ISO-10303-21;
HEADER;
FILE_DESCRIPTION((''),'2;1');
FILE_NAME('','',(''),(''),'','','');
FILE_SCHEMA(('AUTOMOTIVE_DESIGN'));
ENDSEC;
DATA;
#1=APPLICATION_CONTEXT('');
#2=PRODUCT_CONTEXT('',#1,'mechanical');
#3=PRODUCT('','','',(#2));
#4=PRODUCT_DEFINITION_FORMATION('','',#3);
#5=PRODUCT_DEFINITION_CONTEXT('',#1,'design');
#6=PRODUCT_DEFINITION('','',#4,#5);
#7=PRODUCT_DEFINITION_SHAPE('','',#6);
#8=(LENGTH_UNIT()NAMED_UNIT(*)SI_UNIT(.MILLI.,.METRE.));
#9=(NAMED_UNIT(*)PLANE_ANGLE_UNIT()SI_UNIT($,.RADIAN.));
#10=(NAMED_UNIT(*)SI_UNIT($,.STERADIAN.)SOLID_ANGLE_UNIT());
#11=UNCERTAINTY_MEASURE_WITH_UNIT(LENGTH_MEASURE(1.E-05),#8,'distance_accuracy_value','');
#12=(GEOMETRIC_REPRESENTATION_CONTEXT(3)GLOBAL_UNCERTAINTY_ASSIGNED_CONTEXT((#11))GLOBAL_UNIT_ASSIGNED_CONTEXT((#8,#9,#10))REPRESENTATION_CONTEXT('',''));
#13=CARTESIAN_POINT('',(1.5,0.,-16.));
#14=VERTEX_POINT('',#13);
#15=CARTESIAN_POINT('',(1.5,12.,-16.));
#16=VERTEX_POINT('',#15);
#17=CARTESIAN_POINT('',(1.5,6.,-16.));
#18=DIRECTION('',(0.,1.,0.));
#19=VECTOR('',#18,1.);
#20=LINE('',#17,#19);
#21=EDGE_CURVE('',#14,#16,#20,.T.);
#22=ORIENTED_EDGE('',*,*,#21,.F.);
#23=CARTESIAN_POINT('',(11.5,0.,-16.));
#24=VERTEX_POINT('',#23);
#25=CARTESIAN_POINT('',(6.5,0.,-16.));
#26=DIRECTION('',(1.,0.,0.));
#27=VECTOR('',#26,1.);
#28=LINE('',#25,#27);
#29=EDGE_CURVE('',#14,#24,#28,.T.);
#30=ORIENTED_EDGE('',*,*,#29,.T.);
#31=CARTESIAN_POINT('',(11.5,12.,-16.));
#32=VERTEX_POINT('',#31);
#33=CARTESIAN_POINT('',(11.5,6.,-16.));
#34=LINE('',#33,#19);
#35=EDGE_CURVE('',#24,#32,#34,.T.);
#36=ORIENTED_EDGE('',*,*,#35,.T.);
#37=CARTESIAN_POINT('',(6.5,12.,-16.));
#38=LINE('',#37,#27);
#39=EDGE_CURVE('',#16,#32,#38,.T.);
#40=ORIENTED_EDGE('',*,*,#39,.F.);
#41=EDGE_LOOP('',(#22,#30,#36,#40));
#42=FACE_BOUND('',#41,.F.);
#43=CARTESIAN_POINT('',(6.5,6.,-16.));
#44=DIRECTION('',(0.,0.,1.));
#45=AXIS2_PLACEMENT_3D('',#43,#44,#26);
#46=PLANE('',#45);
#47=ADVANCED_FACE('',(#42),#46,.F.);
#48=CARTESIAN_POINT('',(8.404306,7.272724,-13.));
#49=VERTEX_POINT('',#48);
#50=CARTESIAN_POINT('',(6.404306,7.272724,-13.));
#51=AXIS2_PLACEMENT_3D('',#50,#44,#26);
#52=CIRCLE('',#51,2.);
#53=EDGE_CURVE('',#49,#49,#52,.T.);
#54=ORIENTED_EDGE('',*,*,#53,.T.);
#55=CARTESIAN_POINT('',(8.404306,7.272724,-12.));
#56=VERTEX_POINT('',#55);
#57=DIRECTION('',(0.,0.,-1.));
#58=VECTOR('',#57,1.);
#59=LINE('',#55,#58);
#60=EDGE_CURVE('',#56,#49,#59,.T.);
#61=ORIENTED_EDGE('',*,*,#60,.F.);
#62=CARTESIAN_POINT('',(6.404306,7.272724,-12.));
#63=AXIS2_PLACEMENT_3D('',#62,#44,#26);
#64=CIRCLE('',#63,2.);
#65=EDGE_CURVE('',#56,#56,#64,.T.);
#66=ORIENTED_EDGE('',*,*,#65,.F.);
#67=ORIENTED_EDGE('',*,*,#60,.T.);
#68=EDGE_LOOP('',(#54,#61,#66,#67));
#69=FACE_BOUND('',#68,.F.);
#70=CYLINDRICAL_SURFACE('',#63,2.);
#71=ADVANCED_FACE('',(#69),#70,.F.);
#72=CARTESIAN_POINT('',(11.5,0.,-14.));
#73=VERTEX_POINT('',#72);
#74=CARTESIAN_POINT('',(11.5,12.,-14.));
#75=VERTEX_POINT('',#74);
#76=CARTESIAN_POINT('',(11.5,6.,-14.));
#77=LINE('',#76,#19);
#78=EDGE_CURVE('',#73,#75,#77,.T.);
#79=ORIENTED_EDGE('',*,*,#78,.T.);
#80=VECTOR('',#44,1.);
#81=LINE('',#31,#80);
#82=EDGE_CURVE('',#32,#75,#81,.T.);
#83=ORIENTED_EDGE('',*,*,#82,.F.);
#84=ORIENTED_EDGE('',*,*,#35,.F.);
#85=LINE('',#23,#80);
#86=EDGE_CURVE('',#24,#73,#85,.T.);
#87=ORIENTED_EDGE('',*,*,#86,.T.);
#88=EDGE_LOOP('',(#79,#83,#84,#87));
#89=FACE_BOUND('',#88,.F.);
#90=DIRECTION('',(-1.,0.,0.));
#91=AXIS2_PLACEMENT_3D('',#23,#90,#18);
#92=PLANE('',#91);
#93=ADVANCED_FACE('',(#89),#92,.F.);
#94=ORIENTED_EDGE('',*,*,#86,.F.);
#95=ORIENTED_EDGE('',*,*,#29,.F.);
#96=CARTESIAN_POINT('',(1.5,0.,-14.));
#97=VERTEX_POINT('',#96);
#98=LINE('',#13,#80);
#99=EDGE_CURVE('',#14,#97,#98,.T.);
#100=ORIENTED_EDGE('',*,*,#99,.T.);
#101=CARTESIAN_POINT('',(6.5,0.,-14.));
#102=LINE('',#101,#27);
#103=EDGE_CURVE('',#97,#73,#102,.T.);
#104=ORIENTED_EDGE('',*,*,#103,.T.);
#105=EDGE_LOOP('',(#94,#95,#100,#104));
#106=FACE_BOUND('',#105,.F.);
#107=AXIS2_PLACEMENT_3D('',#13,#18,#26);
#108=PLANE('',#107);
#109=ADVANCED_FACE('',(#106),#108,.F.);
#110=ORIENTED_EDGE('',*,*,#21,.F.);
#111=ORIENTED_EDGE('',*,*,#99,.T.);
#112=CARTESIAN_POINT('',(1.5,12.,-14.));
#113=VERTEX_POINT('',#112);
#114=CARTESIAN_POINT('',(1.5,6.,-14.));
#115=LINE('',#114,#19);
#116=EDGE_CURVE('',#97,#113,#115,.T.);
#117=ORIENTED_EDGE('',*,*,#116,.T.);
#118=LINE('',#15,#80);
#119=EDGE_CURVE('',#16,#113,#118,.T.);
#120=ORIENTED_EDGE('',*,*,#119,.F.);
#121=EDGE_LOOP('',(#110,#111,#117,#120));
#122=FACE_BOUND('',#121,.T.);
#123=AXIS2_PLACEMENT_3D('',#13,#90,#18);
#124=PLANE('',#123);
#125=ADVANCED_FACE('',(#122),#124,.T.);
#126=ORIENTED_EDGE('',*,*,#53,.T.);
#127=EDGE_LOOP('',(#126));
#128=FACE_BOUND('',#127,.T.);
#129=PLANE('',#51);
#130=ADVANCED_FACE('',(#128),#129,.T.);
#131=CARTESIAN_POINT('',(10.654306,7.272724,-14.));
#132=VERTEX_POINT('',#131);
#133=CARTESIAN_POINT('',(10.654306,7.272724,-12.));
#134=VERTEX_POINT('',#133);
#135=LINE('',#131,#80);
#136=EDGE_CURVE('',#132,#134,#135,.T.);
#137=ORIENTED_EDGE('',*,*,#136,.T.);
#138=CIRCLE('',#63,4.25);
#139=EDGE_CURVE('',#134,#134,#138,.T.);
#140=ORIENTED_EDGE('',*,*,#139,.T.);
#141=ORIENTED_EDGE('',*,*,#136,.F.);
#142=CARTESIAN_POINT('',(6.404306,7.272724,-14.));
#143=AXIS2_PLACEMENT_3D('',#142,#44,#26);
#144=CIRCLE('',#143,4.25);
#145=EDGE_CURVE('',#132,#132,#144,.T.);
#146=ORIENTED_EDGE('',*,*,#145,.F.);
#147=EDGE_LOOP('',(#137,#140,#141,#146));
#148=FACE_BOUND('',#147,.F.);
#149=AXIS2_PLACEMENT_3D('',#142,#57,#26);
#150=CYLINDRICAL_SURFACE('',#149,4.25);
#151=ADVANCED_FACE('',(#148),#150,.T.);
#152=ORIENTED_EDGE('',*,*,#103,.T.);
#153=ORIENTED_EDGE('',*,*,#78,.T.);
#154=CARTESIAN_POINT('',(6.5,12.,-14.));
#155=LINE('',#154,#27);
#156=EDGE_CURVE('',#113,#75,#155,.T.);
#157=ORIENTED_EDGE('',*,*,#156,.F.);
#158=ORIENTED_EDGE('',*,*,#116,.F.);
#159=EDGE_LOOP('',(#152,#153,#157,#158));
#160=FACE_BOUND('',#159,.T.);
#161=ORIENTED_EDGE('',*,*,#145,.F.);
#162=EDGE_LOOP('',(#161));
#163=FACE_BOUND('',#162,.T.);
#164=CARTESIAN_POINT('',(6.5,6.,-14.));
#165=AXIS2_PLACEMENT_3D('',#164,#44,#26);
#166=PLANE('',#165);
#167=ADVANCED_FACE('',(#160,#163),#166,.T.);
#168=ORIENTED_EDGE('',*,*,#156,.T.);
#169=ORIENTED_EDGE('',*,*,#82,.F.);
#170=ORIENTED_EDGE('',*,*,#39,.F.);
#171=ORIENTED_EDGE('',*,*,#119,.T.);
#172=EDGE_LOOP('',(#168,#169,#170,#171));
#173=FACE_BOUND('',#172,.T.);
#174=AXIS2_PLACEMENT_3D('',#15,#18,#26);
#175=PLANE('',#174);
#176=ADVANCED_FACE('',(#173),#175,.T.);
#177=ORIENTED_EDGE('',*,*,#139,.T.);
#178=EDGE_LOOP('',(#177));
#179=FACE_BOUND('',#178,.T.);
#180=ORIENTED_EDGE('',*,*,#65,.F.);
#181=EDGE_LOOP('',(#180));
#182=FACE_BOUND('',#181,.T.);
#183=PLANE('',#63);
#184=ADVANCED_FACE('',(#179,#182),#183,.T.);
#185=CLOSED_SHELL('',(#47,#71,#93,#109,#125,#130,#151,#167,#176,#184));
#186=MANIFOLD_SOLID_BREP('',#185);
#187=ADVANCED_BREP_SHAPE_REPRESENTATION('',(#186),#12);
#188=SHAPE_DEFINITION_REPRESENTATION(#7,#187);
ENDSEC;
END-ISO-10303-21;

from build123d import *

# Parameters (mm, degrees)
BOX_W        = 10
BOX_H        = 12
BOX_DEPTH    = 2
SKETCH_R     = 4.25
PAD_DEPTH    = 2
SKETCH001_R  = 2
POCKET_DEPTH = 1


with BuildPart() as part:
    # Box → Box (new body)
    with BuildSketch(Plane.XY):
        with Locations((5, 6)):
            Rectangle(BOX_W, BOX_H)
    extrude(amount=BOX_DEPTH)

    # Sketch → Pad (new body)
    with BuildSketch(Plane.XY.offset(2)):
        with Locations((4.904306, 7.272724)):
            Circle(SKETCH_R)
    extrude(amount=PAD_DEPTH)

    # Sketch001 → Pocket (cut)
    with BuildSketch(Plane.XY.offset(4)):
        with Locations((4.904306, 7.272724)):
            Circle(SKETCH001_R)
    extrude(amount=-POCKET_DEPTH, mode=Mode.SUBTRACT)


with BuildPart() as part_1:
    # Clone placement: moved
    add(part.part.moved(Location((1.5, 0, -16))))


solid = part_1.part
